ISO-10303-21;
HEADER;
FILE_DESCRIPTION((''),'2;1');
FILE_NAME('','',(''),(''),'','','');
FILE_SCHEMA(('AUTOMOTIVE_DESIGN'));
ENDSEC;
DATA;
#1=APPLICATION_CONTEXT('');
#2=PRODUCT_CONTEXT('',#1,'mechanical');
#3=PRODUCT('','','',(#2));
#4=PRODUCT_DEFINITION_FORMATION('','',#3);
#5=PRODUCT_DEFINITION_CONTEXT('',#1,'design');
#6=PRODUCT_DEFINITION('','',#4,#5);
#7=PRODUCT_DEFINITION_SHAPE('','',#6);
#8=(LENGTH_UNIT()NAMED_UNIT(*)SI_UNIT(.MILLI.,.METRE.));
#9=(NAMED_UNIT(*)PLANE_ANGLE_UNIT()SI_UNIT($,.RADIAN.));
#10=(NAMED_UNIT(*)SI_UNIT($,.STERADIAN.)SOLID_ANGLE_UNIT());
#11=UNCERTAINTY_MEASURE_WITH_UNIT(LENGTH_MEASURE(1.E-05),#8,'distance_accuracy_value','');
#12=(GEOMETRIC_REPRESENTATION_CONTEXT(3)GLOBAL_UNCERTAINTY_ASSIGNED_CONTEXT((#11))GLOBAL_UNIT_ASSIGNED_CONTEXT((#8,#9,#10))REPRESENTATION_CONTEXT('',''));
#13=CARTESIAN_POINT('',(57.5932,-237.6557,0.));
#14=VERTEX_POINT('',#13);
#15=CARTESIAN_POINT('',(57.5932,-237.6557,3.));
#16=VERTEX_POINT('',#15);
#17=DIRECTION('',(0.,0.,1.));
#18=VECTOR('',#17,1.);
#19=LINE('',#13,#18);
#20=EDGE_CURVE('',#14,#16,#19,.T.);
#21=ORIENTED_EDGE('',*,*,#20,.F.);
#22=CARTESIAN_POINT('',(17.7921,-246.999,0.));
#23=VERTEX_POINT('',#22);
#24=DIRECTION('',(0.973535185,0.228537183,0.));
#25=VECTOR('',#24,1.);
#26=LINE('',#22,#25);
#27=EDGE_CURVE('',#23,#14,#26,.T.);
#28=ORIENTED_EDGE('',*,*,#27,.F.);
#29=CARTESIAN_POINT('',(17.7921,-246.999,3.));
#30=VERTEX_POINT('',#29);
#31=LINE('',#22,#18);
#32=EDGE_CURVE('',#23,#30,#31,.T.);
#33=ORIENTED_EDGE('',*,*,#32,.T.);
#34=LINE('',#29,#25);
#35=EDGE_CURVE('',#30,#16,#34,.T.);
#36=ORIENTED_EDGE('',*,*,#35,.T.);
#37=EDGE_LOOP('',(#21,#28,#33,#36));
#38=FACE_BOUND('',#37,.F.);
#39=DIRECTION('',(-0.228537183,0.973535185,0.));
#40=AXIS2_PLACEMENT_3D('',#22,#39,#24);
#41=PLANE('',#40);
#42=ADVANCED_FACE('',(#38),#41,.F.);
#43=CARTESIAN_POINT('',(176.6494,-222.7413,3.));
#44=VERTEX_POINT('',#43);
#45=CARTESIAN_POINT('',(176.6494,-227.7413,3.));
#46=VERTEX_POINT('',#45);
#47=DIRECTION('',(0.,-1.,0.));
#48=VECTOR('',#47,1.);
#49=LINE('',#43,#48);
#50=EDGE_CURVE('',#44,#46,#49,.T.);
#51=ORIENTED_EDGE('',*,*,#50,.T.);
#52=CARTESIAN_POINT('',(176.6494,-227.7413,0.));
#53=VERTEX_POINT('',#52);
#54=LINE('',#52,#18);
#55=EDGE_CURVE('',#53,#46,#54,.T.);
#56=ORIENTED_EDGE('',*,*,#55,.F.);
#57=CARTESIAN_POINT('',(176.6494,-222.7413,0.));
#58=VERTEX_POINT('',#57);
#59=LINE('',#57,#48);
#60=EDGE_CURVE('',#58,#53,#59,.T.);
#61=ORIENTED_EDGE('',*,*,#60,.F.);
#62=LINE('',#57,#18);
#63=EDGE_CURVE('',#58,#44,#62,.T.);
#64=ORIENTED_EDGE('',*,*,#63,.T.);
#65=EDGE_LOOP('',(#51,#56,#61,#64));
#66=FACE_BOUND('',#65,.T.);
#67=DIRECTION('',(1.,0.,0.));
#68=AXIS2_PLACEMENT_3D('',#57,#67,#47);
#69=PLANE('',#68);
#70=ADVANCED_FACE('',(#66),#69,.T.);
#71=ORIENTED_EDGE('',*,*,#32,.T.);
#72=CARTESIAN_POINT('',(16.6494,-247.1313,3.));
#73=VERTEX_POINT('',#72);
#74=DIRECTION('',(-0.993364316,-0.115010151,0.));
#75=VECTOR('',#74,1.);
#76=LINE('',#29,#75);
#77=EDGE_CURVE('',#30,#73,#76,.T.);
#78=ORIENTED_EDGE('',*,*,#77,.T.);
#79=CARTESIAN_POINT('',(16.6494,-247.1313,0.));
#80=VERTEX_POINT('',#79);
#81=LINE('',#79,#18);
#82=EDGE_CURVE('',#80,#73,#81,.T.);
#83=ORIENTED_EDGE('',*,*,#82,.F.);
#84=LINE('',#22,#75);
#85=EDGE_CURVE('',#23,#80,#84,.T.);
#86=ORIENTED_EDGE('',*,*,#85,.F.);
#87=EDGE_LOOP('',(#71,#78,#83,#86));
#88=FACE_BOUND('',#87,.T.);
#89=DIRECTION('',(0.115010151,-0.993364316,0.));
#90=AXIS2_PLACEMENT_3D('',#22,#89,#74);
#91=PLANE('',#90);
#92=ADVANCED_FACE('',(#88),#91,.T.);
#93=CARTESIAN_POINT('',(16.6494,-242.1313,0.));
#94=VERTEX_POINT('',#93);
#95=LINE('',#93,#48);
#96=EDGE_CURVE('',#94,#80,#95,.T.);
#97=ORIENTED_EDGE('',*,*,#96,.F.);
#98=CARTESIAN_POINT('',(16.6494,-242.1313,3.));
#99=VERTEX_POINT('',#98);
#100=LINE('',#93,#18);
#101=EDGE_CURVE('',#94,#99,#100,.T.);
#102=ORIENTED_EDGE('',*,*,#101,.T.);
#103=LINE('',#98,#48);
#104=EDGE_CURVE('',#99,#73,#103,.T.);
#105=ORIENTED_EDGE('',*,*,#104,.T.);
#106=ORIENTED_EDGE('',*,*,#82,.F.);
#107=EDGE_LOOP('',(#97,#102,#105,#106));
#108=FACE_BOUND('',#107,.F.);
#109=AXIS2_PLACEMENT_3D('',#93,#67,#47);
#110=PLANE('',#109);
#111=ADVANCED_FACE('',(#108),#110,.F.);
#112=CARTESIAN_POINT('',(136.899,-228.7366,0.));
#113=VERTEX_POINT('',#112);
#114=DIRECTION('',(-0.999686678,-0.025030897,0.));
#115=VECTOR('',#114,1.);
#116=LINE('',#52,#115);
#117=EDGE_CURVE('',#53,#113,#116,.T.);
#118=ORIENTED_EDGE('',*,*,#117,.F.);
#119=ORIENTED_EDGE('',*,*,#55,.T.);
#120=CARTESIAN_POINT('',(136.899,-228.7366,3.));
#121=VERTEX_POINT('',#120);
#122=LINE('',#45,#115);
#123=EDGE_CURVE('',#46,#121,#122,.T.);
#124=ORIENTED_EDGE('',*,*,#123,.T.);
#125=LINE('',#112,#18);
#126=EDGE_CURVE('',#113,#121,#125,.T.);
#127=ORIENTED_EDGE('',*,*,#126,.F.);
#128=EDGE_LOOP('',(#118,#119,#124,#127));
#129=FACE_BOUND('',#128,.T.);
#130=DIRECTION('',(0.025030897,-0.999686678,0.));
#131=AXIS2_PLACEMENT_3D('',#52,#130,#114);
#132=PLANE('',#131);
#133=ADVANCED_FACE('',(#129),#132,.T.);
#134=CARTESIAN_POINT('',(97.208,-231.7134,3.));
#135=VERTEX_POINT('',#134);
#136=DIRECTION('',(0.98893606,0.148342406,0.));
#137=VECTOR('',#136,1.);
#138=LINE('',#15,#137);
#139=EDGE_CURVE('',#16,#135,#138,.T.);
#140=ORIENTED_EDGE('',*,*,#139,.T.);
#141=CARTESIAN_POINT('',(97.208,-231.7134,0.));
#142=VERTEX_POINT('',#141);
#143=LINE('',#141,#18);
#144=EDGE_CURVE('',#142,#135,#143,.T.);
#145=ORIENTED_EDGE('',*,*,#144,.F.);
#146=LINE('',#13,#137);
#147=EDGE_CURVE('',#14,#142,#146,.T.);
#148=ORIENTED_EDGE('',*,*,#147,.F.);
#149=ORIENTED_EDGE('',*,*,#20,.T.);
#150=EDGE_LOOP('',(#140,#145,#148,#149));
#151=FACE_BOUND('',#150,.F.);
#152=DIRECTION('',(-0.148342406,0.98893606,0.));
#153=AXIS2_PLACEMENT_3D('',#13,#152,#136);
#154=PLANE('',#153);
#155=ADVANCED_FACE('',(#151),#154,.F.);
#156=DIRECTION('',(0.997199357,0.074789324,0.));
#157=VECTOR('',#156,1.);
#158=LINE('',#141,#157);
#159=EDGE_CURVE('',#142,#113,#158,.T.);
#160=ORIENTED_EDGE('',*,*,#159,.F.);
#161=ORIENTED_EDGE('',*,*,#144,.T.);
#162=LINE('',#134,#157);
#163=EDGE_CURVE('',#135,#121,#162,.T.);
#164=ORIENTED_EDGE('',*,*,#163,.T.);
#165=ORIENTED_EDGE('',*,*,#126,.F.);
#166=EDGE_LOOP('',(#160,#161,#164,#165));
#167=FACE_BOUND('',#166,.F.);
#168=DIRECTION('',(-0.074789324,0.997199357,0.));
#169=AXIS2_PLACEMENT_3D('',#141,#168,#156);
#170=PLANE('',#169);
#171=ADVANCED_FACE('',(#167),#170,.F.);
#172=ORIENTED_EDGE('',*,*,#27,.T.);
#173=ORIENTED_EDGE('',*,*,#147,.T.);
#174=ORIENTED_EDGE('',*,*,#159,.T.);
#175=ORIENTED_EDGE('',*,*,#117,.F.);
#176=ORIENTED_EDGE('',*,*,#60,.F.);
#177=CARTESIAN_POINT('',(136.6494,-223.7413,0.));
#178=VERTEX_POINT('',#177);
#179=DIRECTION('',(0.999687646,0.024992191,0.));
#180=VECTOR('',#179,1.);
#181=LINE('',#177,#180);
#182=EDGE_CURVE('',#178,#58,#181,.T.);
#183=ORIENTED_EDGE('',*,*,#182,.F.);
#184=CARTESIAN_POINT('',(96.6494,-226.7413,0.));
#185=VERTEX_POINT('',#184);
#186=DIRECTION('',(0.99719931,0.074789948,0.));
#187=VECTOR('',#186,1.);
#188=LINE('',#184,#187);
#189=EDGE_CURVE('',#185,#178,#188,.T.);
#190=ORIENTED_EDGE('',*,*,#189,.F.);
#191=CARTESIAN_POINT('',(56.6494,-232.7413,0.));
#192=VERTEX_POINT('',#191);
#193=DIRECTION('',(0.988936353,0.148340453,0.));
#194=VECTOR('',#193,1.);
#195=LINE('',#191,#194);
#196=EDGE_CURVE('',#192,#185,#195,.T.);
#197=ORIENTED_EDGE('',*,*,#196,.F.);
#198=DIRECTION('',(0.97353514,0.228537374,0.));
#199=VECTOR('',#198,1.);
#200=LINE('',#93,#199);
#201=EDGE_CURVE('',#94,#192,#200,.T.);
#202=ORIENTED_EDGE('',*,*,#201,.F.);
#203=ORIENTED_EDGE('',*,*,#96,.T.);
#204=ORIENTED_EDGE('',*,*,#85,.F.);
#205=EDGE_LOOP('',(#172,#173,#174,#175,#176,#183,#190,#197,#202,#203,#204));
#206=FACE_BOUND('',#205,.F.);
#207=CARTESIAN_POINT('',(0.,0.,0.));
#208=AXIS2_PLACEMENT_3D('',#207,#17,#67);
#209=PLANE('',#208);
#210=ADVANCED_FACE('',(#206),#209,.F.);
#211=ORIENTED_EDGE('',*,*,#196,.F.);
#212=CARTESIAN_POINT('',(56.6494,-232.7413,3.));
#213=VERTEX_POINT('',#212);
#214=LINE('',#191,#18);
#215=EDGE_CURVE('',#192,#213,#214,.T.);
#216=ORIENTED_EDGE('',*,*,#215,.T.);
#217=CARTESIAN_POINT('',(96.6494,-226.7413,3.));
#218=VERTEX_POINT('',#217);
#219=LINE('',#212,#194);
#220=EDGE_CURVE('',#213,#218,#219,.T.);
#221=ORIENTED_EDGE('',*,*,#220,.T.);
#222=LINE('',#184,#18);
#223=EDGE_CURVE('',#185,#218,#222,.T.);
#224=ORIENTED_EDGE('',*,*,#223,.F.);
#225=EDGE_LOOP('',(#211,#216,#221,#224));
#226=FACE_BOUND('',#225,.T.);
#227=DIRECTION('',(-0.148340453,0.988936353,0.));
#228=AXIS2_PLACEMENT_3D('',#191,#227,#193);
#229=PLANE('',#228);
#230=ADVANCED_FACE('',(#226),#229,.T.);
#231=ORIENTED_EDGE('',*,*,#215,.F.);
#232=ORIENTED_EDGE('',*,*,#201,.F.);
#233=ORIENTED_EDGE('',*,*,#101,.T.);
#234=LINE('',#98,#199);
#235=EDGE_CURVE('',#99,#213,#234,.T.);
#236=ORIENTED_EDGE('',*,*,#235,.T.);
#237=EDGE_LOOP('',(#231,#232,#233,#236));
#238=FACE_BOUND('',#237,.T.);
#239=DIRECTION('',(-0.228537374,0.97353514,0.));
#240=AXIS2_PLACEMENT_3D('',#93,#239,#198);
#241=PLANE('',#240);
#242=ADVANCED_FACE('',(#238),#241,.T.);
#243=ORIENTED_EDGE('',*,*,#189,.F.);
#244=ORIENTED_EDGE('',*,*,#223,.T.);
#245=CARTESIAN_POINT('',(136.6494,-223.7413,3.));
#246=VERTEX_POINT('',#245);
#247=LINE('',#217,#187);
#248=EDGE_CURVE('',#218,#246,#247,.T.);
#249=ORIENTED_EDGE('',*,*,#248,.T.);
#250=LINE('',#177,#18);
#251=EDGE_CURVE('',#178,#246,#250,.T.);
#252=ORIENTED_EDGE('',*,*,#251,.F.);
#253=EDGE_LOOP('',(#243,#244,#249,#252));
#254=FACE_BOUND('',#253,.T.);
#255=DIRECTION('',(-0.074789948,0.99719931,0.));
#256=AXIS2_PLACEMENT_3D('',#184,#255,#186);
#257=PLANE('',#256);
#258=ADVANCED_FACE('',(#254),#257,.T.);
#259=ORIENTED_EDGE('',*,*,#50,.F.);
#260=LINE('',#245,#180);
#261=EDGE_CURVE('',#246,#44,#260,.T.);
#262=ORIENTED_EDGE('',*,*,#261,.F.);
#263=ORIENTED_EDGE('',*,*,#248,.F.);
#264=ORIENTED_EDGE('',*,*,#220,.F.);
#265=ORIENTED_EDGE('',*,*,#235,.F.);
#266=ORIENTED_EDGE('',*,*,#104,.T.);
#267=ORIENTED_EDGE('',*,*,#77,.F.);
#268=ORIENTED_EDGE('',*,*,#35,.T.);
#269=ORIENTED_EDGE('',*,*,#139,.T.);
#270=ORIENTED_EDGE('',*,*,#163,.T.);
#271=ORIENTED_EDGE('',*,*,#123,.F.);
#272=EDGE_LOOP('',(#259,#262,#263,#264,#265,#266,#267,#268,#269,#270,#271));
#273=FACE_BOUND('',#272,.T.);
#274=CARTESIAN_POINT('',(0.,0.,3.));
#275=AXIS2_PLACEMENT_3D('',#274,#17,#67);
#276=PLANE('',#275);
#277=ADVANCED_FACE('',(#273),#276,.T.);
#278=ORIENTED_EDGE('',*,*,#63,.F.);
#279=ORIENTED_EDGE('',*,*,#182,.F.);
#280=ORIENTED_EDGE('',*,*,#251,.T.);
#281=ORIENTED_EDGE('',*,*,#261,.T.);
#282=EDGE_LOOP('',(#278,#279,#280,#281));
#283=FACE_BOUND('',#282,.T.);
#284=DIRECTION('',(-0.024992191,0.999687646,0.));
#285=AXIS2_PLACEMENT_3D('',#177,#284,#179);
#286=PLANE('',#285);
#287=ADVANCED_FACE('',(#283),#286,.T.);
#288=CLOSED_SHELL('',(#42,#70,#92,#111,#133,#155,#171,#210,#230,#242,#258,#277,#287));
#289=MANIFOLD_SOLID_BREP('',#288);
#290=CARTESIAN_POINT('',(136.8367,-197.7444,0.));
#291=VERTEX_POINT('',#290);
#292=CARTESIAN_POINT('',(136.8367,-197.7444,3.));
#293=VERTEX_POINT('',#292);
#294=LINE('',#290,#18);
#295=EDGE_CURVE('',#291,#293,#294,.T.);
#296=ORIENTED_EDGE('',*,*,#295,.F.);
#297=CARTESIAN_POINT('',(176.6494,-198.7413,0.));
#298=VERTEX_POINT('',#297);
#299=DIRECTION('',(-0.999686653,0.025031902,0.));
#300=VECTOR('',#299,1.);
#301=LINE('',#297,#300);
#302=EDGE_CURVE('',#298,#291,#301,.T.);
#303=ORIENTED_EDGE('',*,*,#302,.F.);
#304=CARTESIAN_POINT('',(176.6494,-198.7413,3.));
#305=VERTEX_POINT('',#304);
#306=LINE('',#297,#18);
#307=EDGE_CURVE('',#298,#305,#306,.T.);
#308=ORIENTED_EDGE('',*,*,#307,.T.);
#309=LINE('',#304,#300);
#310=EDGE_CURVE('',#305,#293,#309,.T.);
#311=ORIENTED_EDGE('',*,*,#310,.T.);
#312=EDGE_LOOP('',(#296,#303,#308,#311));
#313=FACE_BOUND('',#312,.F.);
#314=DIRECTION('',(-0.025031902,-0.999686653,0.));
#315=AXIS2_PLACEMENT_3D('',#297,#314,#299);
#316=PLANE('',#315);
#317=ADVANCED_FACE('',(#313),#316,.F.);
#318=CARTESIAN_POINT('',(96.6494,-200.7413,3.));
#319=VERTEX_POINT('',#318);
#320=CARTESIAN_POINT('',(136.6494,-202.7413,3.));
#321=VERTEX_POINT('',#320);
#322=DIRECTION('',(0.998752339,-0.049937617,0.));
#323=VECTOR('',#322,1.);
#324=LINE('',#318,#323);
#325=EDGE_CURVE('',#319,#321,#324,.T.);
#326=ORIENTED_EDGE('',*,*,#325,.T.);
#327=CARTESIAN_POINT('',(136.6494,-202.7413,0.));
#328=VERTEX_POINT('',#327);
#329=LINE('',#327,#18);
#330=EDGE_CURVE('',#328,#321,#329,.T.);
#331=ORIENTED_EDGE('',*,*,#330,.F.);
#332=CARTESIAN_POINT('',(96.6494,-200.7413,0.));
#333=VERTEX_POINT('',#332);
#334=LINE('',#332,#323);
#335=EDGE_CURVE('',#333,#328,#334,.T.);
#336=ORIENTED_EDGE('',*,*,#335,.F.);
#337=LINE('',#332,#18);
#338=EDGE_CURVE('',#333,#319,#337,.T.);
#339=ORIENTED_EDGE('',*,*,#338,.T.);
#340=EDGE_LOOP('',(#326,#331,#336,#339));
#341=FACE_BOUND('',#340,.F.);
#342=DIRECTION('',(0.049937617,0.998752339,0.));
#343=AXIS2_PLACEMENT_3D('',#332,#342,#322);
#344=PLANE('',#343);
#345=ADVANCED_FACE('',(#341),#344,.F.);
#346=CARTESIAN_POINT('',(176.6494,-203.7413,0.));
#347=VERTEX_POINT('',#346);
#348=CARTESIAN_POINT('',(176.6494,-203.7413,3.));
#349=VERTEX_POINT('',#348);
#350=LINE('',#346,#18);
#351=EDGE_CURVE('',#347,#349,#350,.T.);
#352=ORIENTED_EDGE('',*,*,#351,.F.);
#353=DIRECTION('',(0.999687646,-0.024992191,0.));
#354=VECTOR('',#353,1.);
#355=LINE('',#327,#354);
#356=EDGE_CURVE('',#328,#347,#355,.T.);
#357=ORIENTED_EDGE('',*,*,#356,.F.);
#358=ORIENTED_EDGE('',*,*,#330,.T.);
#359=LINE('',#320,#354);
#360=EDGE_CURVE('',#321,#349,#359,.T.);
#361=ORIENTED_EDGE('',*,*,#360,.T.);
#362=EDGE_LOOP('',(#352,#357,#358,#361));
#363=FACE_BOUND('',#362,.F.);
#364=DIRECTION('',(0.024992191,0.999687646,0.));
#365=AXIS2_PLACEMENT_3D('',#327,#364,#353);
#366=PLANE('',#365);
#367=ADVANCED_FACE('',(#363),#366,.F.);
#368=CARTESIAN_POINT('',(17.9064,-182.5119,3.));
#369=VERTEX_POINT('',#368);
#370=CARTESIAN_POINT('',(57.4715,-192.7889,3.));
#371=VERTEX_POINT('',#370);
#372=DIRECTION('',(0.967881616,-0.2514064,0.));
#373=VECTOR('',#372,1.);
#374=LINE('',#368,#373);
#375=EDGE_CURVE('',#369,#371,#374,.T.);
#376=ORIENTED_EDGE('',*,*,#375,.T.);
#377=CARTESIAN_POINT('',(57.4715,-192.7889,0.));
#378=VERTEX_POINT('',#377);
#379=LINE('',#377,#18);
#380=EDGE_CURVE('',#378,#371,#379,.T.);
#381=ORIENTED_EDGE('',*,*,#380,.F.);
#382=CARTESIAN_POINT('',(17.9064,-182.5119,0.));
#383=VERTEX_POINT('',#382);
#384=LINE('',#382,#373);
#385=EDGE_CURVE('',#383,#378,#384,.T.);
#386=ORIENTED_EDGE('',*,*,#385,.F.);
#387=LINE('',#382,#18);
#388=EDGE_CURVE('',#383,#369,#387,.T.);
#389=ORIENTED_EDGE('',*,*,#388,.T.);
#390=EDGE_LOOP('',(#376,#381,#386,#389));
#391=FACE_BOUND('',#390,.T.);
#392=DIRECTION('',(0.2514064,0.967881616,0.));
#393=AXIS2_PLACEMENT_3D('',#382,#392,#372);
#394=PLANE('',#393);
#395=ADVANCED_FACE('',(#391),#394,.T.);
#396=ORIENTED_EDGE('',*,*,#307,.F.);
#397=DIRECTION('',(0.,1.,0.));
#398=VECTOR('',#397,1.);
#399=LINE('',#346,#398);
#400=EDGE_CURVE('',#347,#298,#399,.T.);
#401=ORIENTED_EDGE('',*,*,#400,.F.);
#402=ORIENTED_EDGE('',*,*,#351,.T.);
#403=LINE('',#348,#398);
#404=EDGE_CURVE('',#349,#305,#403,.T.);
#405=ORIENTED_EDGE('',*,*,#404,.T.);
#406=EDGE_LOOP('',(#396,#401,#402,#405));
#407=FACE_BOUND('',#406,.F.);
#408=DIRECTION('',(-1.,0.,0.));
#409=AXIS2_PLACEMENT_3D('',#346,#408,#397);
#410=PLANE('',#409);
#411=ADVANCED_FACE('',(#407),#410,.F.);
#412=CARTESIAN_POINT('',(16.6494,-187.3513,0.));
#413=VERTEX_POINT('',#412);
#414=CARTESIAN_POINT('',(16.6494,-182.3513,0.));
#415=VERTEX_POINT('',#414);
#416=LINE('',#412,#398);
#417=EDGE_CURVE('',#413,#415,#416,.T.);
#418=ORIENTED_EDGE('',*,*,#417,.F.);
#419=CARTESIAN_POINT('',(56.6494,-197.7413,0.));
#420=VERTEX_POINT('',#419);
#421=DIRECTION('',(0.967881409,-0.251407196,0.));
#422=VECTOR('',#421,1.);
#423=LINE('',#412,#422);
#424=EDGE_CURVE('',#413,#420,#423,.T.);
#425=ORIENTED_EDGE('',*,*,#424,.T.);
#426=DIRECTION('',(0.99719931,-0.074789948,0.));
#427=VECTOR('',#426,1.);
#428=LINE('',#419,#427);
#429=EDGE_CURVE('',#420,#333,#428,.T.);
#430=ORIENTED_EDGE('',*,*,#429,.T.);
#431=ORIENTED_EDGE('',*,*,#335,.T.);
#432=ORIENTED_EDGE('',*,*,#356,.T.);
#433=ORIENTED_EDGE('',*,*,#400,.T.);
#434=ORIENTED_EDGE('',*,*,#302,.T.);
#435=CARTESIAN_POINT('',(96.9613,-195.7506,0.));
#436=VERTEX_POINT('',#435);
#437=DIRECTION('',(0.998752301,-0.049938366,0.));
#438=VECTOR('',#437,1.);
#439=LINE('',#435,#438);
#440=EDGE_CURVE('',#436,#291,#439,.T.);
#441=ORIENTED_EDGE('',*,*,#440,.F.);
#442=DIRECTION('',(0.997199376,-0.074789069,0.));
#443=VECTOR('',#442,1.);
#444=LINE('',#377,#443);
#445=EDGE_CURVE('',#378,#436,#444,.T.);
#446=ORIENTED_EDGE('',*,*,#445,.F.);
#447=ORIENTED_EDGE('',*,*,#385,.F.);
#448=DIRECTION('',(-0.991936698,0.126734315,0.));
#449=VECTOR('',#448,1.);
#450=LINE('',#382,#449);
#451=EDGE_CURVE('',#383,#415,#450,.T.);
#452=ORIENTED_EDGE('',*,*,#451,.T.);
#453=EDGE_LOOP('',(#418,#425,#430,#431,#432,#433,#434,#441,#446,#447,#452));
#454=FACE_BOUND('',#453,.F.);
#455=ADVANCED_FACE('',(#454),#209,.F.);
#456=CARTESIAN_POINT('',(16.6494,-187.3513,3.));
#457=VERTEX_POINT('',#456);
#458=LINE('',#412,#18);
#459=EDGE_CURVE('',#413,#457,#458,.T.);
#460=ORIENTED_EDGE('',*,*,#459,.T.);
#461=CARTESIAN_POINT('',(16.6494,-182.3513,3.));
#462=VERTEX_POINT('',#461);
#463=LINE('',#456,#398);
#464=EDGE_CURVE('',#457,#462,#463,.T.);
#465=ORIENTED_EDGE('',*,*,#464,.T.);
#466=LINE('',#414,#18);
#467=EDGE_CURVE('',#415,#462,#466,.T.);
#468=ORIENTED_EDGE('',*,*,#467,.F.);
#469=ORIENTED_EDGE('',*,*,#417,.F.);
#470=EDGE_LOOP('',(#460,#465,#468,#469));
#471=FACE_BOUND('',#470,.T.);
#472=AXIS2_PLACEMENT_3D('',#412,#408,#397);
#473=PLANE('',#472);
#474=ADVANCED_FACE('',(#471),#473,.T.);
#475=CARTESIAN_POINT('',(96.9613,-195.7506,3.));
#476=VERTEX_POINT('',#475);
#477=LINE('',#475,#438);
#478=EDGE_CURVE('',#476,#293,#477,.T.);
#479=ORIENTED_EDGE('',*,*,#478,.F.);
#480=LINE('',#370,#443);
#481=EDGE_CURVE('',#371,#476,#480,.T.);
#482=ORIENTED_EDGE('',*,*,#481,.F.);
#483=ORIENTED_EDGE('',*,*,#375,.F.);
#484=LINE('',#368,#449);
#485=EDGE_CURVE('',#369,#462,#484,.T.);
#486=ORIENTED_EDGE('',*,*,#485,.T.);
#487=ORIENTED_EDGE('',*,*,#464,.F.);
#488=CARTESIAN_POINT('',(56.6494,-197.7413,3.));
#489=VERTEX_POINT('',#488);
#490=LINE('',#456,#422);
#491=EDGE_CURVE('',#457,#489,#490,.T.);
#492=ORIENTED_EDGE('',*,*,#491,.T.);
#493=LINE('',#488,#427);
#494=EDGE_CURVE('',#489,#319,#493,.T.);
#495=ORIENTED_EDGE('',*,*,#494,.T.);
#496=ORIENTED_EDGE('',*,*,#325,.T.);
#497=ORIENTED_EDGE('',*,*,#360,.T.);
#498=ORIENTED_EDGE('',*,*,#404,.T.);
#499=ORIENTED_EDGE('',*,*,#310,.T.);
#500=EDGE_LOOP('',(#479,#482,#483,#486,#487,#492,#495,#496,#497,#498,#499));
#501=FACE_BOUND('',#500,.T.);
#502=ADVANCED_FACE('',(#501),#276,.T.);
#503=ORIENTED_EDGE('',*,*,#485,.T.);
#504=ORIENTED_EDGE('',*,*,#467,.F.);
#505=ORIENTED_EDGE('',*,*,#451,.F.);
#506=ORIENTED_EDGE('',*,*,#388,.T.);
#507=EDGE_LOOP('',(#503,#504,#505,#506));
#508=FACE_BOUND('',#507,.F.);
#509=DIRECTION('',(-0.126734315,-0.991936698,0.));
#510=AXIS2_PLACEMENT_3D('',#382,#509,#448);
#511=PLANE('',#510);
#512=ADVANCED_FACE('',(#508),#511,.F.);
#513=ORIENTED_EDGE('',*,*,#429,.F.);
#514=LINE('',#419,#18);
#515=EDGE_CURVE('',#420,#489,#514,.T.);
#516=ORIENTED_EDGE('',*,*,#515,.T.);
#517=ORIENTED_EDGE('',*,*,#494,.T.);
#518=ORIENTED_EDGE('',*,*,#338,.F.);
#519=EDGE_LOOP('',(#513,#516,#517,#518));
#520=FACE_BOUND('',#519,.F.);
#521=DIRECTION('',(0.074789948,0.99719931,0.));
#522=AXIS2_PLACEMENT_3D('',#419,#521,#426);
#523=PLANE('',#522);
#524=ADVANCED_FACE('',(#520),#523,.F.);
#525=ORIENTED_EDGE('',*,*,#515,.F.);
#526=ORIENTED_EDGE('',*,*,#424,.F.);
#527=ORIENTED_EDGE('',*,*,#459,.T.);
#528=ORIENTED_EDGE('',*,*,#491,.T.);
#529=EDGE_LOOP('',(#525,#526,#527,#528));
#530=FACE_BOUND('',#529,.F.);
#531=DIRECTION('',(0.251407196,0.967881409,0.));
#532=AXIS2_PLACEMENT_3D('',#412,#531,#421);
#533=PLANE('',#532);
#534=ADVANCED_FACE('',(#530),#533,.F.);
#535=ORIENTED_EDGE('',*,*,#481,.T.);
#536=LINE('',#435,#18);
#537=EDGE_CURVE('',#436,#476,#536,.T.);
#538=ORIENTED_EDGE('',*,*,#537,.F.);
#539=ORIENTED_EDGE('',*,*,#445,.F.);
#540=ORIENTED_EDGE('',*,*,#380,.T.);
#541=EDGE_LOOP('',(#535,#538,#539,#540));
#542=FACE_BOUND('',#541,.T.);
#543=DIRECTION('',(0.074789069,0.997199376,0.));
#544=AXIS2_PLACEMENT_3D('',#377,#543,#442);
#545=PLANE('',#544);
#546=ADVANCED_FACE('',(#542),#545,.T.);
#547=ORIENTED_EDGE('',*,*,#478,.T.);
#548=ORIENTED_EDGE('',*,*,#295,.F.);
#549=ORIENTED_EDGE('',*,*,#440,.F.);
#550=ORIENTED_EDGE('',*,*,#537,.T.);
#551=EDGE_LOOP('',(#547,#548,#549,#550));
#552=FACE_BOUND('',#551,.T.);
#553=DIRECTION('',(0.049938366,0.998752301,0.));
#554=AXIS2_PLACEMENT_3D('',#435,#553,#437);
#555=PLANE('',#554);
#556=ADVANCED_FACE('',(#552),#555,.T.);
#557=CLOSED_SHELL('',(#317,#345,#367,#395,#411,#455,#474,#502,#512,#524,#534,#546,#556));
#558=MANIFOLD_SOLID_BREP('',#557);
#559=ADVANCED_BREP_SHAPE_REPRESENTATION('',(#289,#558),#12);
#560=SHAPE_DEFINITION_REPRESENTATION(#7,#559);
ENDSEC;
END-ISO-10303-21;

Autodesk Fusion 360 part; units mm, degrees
sketch "Sketch1" plane through (0, 0, 0) normal (0, 0, 1) x (1, 0, 0)
  line L0 (16.6494, -187.3513) -> (56.6494, -197.7413)
  line L1 (56.6494, -197.7413) -> (96.6494, -200.7413)
  line L2 (96.6494, -200.7413) -> (136.6494, -202.7413)
  line L3 (136.6494, -202.7413) -> (176.6494, -203.7413)
  line L4 (16.6494, -242.1313) -> (56.6494, -232.7413)
  line L5 (56.6494, -232.7413) -> (96.6494, -226.7413)
  line L6 (96.6494, -226.7413) -> (136.6494, -223.7413)
  line L7 (136.6494, -223.7413) -> (176.6494, -222.7413)
  line L8 (17.9064, -182.5119) -> (57.4715, -192.7889)
  line L9 (57.4715, -192.7889) -> (96.9613, -195.7506)
  line L10 (96.9613, -195.7506) -> (136.8367, -197.7444)
  line L11 (17.7921, -246.999) -> (57.5932, -237.6557)
  line L12 (57.5932, -237.6557) -> (97.208, -231.7134)
  line L13 (97.208, -231.7134) -> (136.899, -228.7366)
  line L14 (16.6494, -187.3513) -> (16.6494, -182.3513)
  line L15 (16.6494, -242.1313) -> (16.6494, -247.1313)
  line L16 (176.6494, -203.7413) -> (176.6494, -198.7413)
  line L17 (176.6494, -222.7413) -> (176.6494, -227.7413)
  line L18 (17.9064, -182.5119) -> (16.6494, -182.3513)
  line L19 (17.7921, -246.999) -> (16.6494, -247.1313)
  line L20 (176.6494, -227.7413) -> (136.899, -228.7366)
  line L21 (176.6494, -198.7413) -> (136.8367, -197.7444)
  dimension "d5" = 54.78
  dimension "d17" = 5
  dimension "d18" = 5
  dimension "d19" = 5
  dimension "d20" = 5
extrude "Extrude1" add sketch "Sketch1" along normal blind 3 makes body 1 at (43.6306, -237.5094, 0) makes body 2 at (43.5901, -192.6272, 0)
